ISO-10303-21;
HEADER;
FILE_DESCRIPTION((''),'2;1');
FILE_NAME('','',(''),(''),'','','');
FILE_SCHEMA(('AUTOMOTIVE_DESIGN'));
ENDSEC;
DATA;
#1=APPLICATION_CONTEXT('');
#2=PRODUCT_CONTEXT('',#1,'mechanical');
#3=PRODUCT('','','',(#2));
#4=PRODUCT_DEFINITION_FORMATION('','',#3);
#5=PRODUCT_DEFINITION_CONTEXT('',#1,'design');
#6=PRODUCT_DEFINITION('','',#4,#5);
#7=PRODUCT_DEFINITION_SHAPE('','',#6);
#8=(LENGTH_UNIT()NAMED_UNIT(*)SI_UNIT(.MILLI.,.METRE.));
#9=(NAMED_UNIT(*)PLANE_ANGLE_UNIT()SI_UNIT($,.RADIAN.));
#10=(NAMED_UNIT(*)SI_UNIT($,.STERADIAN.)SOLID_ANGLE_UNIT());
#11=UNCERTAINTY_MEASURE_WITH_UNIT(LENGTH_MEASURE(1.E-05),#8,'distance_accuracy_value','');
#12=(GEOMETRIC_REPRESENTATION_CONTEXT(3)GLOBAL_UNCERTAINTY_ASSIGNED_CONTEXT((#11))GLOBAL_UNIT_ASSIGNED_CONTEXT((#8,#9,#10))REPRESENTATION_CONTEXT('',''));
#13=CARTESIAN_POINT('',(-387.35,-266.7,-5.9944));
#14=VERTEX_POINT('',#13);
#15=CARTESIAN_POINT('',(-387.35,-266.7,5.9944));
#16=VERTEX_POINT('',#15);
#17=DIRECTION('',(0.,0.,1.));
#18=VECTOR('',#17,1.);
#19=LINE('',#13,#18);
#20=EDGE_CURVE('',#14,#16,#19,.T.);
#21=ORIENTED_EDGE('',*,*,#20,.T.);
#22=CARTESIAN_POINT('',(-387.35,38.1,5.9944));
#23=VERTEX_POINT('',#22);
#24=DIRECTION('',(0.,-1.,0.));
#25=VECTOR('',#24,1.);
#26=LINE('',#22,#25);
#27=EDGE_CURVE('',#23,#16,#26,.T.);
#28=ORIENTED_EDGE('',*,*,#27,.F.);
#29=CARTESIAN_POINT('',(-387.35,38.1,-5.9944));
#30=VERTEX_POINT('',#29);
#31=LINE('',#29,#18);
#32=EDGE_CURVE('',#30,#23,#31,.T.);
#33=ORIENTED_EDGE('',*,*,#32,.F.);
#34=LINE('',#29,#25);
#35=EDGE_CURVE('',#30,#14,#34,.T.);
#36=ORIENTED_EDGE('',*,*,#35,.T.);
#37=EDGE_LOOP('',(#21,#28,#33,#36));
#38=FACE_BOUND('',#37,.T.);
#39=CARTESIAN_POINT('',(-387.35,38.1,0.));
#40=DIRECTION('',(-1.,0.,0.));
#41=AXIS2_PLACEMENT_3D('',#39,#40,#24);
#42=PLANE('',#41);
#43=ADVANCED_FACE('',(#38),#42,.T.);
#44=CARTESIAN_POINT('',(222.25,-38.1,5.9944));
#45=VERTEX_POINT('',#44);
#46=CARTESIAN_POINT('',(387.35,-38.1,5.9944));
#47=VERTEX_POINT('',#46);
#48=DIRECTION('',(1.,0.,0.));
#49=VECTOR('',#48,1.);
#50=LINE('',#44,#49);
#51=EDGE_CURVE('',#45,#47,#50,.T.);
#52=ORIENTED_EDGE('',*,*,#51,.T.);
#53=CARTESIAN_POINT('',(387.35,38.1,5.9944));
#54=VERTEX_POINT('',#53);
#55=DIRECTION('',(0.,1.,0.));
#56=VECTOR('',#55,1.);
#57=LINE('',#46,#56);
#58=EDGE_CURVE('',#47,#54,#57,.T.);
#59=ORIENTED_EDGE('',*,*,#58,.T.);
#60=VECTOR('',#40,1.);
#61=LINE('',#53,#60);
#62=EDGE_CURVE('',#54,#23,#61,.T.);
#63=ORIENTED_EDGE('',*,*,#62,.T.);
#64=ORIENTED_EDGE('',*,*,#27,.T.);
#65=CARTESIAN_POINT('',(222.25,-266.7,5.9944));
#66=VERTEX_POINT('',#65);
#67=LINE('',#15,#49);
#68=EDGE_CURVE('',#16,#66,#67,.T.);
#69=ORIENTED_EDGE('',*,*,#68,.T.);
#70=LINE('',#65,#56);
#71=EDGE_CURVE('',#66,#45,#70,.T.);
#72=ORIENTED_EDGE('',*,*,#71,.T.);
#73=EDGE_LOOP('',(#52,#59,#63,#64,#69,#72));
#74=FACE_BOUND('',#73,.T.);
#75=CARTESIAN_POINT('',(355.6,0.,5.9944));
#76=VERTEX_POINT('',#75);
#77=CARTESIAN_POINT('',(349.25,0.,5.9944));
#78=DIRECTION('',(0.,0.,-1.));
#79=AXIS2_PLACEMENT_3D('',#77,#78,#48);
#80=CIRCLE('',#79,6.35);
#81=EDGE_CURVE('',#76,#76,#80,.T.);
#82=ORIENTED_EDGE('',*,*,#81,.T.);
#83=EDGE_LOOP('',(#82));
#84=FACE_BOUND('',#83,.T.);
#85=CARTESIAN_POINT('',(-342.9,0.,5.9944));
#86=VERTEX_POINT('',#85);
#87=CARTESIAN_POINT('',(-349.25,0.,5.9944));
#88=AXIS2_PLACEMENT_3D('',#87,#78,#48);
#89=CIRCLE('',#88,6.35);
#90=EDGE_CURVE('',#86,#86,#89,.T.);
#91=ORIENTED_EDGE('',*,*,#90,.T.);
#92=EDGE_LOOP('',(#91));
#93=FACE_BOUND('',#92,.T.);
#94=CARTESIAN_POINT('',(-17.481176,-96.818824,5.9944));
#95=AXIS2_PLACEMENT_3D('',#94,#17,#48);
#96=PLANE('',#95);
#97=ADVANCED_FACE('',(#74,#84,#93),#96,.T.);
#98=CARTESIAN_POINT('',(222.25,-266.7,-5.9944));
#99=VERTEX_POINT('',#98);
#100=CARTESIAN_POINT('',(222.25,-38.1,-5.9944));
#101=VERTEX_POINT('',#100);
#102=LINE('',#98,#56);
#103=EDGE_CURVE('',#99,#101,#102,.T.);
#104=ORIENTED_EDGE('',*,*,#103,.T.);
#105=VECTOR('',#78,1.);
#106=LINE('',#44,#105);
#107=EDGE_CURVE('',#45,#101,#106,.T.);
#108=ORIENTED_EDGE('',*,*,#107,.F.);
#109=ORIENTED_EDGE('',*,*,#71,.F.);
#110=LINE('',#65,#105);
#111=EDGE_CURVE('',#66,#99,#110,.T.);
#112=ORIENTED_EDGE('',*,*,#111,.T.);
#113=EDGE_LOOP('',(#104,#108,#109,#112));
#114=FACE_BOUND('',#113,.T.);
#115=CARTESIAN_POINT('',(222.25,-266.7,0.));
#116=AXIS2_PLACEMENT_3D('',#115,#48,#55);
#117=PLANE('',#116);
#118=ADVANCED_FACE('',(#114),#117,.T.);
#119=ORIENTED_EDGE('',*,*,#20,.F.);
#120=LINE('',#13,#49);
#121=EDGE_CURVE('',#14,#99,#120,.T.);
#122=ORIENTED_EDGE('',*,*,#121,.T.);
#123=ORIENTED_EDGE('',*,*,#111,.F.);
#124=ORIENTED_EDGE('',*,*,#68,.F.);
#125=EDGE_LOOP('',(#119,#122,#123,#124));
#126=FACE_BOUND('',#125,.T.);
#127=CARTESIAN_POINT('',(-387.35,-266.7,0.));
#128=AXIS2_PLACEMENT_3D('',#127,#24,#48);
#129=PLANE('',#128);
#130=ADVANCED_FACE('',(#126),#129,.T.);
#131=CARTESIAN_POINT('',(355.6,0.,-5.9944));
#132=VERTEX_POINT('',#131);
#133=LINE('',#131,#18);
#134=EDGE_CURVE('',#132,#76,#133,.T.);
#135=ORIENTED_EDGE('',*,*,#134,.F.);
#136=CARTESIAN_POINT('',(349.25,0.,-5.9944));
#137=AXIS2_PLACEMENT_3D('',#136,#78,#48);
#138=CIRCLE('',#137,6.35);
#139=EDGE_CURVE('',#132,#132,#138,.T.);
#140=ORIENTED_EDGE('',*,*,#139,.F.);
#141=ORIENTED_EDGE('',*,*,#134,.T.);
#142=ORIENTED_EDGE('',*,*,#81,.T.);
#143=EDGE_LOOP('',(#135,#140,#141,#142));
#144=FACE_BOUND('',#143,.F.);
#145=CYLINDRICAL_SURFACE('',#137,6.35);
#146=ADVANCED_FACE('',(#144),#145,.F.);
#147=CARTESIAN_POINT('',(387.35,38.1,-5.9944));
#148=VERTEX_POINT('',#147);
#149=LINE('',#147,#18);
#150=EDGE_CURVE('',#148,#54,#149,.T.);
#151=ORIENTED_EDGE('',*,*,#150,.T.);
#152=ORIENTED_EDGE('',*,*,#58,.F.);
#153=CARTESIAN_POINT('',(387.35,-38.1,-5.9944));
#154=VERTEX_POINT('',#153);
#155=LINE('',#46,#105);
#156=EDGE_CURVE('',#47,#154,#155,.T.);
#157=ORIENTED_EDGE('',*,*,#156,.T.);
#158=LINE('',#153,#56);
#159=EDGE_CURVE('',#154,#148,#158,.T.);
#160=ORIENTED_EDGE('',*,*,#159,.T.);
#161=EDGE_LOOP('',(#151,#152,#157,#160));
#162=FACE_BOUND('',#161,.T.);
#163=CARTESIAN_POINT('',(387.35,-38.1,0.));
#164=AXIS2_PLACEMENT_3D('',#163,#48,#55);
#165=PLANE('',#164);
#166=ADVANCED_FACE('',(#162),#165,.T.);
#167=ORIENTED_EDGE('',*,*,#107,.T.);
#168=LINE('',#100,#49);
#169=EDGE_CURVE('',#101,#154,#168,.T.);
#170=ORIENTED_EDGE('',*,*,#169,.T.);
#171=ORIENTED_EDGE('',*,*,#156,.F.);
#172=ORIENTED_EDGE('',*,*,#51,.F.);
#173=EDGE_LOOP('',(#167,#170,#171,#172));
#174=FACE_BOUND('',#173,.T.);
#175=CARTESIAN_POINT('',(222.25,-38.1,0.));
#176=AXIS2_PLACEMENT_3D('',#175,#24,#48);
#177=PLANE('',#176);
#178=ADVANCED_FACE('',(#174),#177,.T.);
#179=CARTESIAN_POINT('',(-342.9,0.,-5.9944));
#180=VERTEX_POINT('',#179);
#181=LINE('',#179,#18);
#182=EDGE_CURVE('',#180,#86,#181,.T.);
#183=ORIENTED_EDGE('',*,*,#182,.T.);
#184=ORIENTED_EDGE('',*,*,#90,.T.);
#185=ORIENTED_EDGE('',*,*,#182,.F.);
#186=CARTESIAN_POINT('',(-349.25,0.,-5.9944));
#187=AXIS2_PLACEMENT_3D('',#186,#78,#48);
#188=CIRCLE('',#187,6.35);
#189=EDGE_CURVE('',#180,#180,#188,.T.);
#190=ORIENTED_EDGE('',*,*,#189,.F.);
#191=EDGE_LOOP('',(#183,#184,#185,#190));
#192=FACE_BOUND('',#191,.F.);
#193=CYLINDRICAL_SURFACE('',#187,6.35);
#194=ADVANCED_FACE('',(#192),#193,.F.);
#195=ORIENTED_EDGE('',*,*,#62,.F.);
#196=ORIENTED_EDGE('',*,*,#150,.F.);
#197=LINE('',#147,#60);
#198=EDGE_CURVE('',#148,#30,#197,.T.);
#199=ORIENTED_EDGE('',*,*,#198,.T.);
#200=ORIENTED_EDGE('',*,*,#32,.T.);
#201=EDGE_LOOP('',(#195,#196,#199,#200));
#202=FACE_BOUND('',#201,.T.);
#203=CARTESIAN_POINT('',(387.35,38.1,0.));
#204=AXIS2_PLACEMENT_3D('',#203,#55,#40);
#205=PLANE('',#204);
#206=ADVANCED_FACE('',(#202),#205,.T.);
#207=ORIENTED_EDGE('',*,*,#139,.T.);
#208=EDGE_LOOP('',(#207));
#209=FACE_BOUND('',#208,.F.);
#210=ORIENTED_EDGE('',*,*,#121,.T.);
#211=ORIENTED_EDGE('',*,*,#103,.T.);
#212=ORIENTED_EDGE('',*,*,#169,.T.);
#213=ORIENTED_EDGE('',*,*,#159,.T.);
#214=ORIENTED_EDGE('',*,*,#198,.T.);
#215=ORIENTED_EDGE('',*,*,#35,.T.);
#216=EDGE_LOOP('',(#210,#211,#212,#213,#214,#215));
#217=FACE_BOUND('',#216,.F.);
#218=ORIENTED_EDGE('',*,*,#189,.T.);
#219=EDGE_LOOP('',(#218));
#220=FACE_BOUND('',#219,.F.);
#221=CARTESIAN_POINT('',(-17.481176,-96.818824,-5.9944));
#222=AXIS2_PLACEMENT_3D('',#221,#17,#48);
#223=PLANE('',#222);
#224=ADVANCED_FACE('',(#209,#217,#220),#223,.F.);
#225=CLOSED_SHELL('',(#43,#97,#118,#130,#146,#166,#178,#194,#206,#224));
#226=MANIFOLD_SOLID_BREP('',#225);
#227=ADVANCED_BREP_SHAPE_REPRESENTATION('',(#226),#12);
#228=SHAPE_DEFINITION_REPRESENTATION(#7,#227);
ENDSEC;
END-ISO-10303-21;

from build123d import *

# Parameters (mm, degrees)
F1_DEPTH = 5.9944
F2_R     = 6.35
F3_DEPTH = 11.9888


with BuildPart() as f1:
    # F0 (on Top) → F1 (new body, symmetric)
    with BuildSketch(Plane.XY):
        Polygon((387.35, -38.1), (387.35, 38.1), (-387.35, 38.1), (-387.35, -38.1), (-387.35, -266.7), (222.25, -266.7), (222.25, -38.1), align=None)
    extrude(amount=F1_DEPTH, both=True)

    # F2 (on face) → F3 (cut, through all)
    with BuildSketch(Plane(origin=(0, 0, -5.9944), x_dir=(1, 0, 0), z_dir=(0, 0, -1))):
        with Locations((-349.25, 0)):
            Circle(F2_R)
        with Locations((349.25, 0)):
            Circle(F2_R)
    extrude(amount=-F3_DEPTH, mode=Mode.SUBTRACT)


solid = f1.part
